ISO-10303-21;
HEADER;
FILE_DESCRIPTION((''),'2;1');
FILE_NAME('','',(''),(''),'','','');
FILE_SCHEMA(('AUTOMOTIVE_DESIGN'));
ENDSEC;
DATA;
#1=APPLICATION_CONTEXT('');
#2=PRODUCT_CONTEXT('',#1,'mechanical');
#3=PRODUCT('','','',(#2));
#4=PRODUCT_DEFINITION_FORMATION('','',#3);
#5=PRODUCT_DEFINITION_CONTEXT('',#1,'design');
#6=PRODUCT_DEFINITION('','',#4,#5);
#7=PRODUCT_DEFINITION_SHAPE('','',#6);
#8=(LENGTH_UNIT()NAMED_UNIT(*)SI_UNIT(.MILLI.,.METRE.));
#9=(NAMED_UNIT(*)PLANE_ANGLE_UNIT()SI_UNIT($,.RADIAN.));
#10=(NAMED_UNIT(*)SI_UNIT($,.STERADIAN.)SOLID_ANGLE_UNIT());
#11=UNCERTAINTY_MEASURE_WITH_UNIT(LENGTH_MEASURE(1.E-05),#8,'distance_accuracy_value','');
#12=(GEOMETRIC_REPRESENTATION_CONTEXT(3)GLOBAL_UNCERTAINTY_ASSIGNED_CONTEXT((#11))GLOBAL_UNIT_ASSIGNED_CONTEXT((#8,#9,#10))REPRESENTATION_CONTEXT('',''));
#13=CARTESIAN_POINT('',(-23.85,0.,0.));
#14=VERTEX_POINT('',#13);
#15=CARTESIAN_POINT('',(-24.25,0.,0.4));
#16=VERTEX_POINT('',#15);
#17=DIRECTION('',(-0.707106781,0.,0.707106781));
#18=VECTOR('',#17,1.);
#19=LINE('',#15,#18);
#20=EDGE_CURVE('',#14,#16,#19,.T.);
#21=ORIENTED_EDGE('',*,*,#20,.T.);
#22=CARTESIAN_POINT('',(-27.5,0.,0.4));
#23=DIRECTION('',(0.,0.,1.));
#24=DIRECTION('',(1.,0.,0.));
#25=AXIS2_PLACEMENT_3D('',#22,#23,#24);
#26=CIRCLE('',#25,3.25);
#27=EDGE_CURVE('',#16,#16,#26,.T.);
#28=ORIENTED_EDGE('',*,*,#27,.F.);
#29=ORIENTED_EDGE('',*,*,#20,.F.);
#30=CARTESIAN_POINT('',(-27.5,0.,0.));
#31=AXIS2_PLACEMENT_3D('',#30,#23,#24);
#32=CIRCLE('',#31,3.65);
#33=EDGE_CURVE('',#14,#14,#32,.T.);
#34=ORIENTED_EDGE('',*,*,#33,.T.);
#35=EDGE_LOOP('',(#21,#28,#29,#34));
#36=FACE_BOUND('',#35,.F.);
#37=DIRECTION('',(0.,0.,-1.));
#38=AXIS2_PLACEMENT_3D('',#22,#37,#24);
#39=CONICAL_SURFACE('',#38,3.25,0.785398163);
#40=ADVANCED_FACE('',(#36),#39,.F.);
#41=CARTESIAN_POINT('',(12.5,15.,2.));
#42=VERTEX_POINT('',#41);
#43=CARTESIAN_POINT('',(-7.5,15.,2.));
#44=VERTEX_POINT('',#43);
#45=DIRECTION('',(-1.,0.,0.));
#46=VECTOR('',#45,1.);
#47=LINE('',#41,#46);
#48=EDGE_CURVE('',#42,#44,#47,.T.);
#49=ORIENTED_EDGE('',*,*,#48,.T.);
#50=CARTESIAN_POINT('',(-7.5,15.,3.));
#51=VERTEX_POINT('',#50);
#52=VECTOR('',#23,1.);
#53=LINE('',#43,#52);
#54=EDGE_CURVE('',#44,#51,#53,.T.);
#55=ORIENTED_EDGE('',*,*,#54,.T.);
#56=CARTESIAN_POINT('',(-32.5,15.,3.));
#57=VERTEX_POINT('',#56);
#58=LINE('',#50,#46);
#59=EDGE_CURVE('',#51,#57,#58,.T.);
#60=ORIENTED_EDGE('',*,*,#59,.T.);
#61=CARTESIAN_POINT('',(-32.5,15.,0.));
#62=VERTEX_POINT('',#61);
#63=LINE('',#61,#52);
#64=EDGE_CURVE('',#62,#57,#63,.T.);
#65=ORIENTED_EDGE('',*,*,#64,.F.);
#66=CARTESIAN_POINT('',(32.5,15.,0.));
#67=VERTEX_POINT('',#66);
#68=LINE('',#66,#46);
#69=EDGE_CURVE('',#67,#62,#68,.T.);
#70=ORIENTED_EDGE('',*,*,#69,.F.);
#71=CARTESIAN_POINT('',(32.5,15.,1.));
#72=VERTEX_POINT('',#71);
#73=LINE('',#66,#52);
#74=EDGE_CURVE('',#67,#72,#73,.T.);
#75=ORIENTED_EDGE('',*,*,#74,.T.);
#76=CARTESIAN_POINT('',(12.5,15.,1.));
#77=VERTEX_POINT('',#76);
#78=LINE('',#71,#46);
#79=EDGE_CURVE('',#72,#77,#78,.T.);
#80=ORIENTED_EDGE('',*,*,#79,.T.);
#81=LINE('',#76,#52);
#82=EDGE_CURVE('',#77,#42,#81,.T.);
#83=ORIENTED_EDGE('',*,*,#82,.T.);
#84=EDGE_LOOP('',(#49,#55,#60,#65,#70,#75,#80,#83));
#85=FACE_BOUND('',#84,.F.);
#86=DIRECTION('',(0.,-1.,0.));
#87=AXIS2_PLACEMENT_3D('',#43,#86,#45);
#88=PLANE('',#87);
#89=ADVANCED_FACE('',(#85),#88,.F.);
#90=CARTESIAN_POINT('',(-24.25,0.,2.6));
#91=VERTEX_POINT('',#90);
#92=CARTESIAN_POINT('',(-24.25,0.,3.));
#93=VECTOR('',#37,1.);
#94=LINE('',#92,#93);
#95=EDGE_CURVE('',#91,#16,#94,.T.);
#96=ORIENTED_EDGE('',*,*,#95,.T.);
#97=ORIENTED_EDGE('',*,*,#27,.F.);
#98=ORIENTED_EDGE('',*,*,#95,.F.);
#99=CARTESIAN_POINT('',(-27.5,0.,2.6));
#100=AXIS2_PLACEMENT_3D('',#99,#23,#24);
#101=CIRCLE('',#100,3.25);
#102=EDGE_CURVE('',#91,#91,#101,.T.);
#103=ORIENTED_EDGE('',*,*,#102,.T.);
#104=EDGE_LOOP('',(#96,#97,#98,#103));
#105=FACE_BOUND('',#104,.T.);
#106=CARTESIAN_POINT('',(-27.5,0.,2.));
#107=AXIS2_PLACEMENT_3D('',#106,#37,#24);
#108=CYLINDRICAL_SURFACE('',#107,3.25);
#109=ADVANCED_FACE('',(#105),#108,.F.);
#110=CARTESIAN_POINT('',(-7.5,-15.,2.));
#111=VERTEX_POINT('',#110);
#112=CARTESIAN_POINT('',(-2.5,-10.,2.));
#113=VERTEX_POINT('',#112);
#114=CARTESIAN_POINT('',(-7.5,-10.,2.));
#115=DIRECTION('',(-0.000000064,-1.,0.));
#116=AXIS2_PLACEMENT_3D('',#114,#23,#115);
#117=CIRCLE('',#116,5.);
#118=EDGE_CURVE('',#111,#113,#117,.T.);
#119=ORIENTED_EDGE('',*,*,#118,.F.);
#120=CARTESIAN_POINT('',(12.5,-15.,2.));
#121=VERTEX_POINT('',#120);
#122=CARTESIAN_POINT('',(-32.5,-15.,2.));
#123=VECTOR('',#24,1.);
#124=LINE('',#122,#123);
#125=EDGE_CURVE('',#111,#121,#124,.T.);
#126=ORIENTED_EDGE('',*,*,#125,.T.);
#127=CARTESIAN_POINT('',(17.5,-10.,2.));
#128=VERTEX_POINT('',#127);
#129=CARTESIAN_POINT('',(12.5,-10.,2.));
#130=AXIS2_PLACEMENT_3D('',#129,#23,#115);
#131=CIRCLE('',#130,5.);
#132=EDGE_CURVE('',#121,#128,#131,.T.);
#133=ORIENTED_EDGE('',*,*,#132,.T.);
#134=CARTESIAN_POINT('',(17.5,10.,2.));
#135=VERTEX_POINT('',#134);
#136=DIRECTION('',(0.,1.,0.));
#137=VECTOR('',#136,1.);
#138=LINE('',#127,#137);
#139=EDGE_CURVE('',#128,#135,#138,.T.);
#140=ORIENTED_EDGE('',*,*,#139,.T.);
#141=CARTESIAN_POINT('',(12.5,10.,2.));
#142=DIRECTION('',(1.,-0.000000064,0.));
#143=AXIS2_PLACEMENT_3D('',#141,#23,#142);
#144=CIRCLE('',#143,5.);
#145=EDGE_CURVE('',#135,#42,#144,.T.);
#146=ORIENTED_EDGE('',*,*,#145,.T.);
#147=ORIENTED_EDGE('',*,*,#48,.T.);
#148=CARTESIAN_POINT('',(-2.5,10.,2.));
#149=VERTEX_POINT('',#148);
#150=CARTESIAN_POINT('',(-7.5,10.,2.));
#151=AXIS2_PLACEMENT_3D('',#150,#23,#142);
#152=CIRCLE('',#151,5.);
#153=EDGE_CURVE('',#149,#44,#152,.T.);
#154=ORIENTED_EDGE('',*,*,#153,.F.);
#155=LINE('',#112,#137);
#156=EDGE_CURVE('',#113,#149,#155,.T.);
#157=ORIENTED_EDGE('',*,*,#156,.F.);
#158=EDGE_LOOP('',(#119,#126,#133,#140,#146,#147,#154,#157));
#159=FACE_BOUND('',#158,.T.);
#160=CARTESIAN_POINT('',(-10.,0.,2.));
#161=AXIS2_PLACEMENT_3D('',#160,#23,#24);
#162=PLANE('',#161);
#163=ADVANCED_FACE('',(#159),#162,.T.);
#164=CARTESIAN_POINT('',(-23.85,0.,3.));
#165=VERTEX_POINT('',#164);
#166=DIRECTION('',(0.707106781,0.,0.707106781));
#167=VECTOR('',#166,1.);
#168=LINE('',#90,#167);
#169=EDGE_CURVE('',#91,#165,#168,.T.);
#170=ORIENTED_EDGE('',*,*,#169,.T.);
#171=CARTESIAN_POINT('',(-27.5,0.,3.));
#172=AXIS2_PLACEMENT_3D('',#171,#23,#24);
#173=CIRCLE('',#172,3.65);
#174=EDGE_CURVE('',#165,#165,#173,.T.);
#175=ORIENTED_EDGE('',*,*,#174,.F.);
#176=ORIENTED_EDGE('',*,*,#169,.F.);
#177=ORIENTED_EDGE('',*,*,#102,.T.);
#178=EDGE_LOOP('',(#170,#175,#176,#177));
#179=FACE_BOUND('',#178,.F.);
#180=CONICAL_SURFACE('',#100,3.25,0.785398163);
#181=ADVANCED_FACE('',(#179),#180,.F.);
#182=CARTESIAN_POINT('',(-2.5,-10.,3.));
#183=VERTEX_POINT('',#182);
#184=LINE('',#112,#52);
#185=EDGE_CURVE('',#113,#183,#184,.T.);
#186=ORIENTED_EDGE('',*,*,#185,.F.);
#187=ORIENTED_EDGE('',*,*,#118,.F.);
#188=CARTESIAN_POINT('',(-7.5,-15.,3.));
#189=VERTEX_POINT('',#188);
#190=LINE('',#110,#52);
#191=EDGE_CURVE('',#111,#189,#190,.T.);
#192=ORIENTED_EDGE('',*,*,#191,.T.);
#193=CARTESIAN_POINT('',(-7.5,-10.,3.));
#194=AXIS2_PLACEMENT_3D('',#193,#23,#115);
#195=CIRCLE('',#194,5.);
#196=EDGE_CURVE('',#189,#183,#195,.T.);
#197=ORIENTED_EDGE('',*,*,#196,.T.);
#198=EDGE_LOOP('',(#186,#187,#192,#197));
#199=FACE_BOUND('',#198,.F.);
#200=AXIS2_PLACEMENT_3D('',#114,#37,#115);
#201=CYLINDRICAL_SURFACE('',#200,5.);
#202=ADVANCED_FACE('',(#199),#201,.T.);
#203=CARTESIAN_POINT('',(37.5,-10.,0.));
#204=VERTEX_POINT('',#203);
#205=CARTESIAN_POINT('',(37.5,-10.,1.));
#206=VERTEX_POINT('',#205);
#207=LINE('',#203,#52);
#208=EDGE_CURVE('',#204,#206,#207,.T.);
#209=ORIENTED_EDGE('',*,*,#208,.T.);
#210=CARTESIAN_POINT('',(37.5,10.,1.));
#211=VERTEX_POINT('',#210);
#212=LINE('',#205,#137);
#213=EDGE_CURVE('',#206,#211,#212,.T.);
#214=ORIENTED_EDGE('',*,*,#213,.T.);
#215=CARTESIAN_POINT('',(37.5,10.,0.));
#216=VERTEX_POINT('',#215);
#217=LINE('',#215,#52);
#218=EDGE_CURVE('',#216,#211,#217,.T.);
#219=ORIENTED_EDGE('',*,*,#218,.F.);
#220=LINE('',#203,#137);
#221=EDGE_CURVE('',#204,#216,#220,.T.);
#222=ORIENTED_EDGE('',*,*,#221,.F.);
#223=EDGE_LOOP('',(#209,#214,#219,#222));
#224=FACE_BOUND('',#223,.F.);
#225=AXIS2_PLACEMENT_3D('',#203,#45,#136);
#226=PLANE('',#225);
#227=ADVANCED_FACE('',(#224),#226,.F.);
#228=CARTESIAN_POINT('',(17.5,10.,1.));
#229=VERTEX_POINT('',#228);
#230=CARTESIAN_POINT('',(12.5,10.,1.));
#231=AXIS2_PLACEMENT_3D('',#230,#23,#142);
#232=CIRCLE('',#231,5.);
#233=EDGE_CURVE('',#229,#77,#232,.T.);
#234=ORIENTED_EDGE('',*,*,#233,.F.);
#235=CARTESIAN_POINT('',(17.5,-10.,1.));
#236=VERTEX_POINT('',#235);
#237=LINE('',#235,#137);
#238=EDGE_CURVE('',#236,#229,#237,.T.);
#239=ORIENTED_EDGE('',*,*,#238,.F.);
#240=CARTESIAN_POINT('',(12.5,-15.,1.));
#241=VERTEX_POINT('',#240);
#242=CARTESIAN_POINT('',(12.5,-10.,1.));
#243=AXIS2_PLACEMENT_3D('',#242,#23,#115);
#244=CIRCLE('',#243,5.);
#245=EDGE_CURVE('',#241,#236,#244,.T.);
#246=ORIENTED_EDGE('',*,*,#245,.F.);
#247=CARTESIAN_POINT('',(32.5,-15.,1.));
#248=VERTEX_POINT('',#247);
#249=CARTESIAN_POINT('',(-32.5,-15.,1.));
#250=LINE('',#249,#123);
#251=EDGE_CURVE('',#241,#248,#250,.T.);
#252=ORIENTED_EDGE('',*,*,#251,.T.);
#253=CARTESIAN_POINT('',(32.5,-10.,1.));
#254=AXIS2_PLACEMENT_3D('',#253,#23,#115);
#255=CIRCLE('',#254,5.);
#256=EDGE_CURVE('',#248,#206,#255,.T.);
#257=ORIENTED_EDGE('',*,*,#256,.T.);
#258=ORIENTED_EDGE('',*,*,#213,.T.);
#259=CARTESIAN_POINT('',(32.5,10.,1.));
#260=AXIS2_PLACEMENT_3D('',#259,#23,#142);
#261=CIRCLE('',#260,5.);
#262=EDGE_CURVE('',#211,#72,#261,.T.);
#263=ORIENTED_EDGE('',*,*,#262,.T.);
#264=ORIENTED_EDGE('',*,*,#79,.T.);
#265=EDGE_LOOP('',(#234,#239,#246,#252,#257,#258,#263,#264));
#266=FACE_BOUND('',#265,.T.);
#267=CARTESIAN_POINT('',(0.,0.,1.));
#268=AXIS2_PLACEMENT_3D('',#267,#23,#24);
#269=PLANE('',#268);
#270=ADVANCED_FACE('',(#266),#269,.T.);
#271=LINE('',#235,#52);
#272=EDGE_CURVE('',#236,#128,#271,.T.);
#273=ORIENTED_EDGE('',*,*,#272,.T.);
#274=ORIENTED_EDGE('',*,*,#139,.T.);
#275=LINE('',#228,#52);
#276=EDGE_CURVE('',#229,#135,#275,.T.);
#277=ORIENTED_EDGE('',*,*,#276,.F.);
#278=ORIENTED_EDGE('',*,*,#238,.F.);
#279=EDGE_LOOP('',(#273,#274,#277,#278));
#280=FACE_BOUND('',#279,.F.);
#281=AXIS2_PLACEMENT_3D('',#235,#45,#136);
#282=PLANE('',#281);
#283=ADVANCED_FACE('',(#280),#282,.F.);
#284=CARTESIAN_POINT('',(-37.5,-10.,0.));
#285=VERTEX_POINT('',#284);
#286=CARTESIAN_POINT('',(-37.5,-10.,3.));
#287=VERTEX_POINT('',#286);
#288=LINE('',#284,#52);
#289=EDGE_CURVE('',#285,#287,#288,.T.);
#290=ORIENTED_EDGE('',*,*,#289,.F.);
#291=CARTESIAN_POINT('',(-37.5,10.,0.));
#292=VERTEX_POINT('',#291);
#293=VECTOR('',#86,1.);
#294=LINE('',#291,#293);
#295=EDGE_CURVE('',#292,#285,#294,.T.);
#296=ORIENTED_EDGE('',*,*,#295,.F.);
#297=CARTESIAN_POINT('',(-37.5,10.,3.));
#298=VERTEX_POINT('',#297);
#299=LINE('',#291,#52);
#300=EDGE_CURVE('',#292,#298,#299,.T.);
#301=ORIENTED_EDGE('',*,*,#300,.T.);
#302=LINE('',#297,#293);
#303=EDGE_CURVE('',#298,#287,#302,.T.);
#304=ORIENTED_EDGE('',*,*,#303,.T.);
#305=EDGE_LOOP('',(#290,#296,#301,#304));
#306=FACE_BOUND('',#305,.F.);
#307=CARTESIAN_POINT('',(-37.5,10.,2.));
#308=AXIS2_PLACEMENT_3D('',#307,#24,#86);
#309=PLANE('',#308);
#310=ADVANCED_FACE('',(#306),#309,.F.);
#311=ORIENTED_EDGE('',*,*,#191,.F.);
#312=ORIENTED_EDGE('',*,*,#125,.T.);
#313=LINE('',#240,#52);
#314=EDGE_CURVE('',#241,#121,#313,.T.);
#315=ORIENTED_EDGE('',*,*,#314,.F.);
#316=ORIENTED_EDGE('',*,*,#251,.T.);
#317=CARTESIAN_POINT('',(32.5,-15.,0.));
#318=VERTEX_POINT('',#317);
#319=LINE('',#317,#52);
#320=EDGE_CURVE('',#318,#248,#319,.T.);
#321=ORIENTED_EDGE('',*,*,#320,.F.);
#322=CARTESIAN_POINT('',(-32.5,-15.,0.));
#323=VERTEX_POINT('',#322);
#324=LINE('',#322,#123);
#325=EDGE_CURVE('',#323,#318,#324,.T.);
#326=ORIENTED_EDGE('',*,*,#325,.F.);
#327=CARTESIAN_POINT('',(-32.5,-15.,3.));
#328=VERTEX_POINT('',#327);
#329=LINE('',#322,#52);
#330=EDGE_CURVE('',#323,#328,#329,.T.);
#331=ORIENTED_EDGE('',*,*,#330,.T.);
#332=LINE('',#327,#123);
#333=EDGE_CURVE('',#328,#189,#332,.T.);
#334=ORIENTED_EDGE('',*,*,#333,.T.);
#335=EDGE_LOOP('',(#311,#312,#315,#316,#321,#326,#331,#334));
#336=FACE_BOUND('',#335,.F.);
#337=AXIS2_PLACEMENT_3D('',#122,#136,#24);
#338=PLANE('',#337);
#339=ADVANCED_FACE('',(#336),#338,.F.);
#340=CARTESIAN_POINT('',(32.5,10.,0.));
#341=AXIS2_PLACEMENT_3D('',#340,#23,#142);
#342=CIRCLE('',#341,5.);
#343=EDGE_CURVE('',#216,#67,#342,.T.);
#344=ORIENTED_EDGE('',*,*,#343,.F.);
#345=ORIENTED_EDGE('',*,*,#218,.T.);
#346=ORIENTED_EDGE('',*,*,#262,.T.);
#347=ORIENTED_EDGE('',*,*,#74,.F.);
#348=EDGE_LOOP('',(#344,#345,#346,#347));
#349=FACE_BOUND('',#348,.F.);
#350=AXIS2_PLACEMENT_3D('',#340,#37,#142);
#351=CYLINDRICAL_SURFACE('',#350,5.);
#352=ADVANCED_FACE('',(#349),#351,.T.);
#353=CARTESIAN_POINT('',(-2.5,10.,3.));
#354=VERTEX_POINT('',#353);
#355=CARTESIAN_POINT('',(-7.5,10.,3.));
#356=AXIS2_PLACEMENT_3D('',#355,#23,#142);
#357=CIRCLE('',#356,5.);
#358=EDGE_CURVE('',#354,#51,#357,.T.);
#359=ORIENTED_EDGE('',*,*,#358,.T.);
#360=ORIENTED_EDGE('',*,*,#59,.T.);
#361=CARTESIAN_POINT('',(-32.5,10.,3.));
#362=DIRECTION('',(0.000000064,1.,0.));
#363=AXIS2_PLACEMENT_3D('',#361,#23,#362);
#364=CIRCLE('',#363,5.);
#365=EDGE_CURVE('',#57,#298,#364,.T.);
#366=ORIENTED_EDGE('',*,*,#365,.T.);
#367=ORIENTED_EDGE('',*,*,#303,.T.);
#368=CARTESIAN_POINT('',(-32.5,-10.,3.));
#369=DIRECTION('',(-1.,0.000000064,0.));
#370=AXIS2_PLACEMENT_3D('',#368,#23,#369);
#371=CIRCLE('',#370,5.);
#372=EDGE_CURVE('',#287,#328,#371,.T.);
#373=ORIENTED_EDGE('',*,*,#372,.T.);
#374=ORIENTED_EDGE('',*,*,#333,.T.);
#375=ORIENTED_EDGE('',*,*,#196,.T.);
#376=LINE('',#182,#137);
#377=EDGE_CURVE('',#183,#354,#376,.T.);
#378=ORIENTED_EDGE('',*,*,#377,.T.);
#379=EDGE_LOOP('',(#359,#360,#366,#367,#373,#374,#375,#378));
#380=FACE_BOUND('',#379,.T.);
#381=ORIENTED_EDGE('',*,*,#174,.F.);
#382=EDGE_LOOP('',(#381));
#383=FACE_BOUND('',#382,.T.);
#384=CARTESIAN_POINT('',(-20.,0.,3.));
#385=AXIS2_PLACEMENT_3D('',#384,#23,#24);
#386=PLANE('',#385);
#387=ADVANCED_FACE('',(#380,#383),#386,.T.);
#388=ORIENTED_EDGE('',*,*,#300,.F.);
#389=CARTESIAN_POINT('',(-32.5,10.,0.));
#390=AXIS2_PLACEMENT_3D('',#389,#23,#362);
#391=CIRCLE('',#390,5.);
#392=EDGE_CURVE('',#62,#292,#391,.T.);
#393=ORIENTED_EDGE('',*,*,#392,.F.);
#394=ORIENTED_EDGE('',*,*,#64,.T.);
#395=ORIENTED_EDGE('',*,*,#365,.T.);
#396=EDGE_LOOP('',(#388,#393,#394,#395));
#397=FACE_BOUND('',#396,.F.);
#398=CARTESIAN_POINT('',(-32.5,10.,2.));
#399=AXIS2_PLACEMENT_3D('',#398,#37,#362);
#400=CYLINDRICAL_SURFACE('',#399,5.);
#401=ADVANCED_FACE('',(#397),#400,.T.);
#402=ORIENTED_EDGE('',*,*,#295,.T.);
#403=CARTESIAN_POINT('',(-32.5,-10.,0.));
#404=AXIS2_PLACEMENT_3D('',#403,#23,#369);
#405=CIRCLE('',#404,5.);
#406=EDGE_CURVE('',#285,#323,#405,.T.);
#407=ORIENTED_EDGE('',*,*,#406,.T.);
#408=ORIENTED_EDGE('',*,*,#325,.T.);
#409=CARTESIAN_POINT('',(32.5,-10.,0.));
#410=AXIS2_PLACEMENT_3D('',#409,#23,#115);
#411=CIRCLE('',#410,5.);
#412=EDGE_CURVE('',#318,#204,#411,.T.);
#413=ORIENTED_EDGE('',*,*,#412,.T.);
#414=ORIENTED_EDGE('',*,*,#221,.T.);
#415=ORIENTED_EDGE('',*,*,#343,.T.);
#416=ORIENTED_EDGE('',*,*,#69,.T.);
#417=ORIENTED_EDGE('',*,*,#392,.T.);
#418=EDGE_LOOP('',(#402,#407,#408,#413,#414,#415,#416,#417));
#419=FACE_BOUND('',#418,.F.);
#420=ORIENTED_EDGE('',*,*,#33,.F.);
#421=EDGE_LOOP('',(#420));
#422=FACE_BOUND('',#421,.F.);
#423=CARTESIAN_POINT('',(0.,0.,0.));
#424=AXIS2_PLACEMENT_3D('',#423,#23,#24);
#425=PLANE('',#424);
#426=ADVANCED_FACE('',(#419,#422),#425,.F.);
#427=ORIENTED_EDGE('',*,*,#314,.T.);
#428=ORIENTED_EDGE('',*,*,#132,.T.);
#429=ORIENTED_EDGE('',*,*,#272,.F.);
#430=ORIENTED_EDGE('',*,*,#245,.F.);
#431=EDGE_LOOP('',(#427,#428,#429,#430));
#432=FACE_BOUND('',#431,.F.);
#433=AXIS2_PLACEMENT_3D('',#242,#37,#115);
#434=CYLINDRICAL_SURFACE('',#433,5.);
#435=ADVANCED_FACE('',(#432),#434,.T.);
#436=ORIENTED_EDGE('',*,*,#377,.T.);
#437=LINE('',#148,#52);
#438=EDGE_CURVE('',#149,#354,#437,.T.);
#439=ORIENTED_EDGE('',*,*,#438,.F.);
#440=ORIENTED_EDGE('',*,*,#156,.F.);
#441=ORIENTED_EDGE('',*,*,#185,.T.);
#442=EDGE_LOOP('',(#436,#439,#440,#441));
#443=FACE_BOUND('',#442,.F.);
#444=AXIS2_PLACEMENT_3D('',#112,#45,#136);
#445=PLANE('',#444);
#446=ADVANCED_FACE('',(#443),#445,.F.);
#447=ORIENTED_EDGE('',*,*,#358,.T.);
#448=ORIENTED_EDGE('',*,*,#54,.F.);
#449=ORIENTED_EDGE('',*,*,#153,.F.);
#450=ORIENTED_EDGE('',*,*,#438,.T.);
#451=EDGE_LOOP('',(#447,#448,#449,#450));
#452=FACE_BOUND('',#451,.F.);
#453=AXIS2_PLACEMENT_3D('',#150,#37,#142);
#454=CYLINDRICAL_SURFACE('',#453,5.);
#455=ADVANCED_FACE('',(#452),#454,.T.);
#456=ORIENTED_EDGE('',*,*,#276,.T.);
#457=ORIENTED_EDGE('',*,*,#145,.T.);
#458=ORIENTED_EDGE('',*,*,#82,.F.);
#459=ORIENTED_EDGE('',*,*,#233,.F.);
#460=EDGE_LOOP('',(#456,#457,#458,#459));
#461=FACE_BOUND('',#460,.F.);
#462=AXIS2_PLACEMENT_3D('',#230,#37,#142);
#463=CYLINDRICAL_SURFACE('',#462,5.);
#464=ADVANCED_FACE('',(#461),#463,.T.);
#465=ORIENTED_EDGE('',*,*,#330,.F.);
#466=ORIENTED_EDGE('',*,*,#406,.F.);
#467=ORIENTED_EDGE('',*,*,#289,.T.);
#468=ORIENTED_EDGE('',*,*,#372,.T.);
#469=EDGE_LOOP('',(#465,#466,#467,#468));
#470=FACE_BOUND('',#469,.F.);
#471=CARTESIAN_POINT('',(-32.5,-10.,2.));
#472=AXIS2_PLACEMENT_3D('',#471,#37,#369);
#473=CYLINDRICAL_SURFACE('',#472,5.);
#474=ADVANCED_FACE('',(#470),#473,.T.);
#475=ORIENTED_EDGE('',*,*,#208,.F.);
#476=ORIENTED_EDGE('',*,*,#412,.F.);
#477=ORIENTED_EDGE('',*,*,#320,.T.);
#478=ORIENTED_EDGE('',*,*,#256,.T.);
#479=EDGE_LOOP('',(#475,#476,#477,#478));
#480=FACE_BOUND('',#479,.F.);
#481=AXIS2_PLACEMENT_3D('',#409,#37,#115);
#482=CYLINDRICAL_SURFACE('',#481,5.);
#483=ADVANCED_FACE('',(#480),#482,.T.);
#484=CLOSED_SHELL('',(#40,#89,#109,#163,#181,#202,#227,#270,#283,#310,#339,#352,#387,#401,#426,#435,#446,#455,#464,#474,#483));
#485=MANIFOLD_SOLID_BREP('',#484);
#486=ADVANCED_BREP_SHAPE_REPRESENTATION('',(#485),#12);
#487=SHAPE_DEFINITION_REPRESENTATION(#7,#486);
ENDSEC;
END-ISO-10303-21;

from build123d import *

# Parameters (mm, degrees)
F0_R     = 3.25
F1_DEPTH = 1
F2_R     = 3.25
F3_DEPTH = 1
F4_R     = 3.25
F5_DEPTH = 1
F6_SIZE  = 0.4


with BuildPart() as f1:
    # F0 (on Top) → F1 (new body)
    with BuildSketch(Plane.XY):
        with BuildLine():
            Line((32.5, 15), (-32.5, 15))
            ThreePointArc((-32.5, 15), (-36.035534, 13.535534), (-37.5, 10))
            Line((-37.5, 10), (-37.5, -10))
            ThreePointArc((-37.5, -10), (-36.035534, -13.535534), (-32.5, -15))
            Line((-32.5, -15), (32.5, -15))
            ThreePointArc((32.5, -15), (36.035534, -13.535534), (37.5, -10))
            Line((37.5, -10), (37.5, 10))
            ThreePointArc((37.5, 10), (36.035534, 13.535534), (32.5, 15))
        make_face()
        with Locations((-27.5, 0)):
            Circle(F0_R, mode=Mode.SUBTRACT)
    extrude(amount=F1_DEPTH)

    # F2 (on face) → F3 (join)
    with BuildSketch(Plane.XY.offset(1)):
        with BuildLine():
            Line((12.5, 15), (-32.5, 15))
            ThreePointArc((-32.5, 15), (-36.035534, 13.535534), (-37.5, 10))
            Line((-37.5, 10), (-37.5, -10))
            ThreePointArc((-37.5, -10), (-36.035534, -13.535534), (-32.5, -15))
            Line((-32.5, -15), (12.5, -15))
            ThreePointArc((12.5, -15), (16.035534, -13.535534), (17.5, -10))
            Line((17.5, -10), (17.5, 10))
            ThreePointArc((17.5, 10), (16.035534, 13.535534), (12.5, 15))
        make_face()
        with Locations((-27.5, 0)):
            Circle(F2_R, mode=Mode.SUBTRACT)
    extrude(amount=F3_DEPTH)

    # F4 (on face) → F5 (join)
    with BuildSketch(Plane.XY.offset(2)):
        with BuildLine():
            Line((-7.5, 15), (-32.5, 15))
            ThreePointArc((-32.5, 15), (-36.035534, 13.535534), (-37.5, 10))
            Line((-37.5, 10), (-37.5, -10))
            ThreePointArc((-37.5, -10), (-36.035534, -13.535534), (-32.5, -15))
            Line((-32.5, -15), (-7.5, -15))
            ThreePointArc((-7.5, -15), (-3.964466, -13.535534), (-2.5, -10))
            Line((-2.5, -10), (-2.5, 10))
            ThreePointArc((-2.5, 10), (-3.964466, 13.535534), (-7.5, 15))
        make_face()
        with Locations((-27.5, 0)):
            Circle(F4_R, mode=Mode.SUBTRACT)
    extrude(amount=F5_DEPTH)

    # F6
    f6_edges = [f1.edges().sort_by_distance(p)[0] for p in [
        (-30.75, 0, 3),
        (-30.75, 0, 0),
    ]]
    chamfer(f6_edges, length=F6_SIZE)


solid = f1.part
